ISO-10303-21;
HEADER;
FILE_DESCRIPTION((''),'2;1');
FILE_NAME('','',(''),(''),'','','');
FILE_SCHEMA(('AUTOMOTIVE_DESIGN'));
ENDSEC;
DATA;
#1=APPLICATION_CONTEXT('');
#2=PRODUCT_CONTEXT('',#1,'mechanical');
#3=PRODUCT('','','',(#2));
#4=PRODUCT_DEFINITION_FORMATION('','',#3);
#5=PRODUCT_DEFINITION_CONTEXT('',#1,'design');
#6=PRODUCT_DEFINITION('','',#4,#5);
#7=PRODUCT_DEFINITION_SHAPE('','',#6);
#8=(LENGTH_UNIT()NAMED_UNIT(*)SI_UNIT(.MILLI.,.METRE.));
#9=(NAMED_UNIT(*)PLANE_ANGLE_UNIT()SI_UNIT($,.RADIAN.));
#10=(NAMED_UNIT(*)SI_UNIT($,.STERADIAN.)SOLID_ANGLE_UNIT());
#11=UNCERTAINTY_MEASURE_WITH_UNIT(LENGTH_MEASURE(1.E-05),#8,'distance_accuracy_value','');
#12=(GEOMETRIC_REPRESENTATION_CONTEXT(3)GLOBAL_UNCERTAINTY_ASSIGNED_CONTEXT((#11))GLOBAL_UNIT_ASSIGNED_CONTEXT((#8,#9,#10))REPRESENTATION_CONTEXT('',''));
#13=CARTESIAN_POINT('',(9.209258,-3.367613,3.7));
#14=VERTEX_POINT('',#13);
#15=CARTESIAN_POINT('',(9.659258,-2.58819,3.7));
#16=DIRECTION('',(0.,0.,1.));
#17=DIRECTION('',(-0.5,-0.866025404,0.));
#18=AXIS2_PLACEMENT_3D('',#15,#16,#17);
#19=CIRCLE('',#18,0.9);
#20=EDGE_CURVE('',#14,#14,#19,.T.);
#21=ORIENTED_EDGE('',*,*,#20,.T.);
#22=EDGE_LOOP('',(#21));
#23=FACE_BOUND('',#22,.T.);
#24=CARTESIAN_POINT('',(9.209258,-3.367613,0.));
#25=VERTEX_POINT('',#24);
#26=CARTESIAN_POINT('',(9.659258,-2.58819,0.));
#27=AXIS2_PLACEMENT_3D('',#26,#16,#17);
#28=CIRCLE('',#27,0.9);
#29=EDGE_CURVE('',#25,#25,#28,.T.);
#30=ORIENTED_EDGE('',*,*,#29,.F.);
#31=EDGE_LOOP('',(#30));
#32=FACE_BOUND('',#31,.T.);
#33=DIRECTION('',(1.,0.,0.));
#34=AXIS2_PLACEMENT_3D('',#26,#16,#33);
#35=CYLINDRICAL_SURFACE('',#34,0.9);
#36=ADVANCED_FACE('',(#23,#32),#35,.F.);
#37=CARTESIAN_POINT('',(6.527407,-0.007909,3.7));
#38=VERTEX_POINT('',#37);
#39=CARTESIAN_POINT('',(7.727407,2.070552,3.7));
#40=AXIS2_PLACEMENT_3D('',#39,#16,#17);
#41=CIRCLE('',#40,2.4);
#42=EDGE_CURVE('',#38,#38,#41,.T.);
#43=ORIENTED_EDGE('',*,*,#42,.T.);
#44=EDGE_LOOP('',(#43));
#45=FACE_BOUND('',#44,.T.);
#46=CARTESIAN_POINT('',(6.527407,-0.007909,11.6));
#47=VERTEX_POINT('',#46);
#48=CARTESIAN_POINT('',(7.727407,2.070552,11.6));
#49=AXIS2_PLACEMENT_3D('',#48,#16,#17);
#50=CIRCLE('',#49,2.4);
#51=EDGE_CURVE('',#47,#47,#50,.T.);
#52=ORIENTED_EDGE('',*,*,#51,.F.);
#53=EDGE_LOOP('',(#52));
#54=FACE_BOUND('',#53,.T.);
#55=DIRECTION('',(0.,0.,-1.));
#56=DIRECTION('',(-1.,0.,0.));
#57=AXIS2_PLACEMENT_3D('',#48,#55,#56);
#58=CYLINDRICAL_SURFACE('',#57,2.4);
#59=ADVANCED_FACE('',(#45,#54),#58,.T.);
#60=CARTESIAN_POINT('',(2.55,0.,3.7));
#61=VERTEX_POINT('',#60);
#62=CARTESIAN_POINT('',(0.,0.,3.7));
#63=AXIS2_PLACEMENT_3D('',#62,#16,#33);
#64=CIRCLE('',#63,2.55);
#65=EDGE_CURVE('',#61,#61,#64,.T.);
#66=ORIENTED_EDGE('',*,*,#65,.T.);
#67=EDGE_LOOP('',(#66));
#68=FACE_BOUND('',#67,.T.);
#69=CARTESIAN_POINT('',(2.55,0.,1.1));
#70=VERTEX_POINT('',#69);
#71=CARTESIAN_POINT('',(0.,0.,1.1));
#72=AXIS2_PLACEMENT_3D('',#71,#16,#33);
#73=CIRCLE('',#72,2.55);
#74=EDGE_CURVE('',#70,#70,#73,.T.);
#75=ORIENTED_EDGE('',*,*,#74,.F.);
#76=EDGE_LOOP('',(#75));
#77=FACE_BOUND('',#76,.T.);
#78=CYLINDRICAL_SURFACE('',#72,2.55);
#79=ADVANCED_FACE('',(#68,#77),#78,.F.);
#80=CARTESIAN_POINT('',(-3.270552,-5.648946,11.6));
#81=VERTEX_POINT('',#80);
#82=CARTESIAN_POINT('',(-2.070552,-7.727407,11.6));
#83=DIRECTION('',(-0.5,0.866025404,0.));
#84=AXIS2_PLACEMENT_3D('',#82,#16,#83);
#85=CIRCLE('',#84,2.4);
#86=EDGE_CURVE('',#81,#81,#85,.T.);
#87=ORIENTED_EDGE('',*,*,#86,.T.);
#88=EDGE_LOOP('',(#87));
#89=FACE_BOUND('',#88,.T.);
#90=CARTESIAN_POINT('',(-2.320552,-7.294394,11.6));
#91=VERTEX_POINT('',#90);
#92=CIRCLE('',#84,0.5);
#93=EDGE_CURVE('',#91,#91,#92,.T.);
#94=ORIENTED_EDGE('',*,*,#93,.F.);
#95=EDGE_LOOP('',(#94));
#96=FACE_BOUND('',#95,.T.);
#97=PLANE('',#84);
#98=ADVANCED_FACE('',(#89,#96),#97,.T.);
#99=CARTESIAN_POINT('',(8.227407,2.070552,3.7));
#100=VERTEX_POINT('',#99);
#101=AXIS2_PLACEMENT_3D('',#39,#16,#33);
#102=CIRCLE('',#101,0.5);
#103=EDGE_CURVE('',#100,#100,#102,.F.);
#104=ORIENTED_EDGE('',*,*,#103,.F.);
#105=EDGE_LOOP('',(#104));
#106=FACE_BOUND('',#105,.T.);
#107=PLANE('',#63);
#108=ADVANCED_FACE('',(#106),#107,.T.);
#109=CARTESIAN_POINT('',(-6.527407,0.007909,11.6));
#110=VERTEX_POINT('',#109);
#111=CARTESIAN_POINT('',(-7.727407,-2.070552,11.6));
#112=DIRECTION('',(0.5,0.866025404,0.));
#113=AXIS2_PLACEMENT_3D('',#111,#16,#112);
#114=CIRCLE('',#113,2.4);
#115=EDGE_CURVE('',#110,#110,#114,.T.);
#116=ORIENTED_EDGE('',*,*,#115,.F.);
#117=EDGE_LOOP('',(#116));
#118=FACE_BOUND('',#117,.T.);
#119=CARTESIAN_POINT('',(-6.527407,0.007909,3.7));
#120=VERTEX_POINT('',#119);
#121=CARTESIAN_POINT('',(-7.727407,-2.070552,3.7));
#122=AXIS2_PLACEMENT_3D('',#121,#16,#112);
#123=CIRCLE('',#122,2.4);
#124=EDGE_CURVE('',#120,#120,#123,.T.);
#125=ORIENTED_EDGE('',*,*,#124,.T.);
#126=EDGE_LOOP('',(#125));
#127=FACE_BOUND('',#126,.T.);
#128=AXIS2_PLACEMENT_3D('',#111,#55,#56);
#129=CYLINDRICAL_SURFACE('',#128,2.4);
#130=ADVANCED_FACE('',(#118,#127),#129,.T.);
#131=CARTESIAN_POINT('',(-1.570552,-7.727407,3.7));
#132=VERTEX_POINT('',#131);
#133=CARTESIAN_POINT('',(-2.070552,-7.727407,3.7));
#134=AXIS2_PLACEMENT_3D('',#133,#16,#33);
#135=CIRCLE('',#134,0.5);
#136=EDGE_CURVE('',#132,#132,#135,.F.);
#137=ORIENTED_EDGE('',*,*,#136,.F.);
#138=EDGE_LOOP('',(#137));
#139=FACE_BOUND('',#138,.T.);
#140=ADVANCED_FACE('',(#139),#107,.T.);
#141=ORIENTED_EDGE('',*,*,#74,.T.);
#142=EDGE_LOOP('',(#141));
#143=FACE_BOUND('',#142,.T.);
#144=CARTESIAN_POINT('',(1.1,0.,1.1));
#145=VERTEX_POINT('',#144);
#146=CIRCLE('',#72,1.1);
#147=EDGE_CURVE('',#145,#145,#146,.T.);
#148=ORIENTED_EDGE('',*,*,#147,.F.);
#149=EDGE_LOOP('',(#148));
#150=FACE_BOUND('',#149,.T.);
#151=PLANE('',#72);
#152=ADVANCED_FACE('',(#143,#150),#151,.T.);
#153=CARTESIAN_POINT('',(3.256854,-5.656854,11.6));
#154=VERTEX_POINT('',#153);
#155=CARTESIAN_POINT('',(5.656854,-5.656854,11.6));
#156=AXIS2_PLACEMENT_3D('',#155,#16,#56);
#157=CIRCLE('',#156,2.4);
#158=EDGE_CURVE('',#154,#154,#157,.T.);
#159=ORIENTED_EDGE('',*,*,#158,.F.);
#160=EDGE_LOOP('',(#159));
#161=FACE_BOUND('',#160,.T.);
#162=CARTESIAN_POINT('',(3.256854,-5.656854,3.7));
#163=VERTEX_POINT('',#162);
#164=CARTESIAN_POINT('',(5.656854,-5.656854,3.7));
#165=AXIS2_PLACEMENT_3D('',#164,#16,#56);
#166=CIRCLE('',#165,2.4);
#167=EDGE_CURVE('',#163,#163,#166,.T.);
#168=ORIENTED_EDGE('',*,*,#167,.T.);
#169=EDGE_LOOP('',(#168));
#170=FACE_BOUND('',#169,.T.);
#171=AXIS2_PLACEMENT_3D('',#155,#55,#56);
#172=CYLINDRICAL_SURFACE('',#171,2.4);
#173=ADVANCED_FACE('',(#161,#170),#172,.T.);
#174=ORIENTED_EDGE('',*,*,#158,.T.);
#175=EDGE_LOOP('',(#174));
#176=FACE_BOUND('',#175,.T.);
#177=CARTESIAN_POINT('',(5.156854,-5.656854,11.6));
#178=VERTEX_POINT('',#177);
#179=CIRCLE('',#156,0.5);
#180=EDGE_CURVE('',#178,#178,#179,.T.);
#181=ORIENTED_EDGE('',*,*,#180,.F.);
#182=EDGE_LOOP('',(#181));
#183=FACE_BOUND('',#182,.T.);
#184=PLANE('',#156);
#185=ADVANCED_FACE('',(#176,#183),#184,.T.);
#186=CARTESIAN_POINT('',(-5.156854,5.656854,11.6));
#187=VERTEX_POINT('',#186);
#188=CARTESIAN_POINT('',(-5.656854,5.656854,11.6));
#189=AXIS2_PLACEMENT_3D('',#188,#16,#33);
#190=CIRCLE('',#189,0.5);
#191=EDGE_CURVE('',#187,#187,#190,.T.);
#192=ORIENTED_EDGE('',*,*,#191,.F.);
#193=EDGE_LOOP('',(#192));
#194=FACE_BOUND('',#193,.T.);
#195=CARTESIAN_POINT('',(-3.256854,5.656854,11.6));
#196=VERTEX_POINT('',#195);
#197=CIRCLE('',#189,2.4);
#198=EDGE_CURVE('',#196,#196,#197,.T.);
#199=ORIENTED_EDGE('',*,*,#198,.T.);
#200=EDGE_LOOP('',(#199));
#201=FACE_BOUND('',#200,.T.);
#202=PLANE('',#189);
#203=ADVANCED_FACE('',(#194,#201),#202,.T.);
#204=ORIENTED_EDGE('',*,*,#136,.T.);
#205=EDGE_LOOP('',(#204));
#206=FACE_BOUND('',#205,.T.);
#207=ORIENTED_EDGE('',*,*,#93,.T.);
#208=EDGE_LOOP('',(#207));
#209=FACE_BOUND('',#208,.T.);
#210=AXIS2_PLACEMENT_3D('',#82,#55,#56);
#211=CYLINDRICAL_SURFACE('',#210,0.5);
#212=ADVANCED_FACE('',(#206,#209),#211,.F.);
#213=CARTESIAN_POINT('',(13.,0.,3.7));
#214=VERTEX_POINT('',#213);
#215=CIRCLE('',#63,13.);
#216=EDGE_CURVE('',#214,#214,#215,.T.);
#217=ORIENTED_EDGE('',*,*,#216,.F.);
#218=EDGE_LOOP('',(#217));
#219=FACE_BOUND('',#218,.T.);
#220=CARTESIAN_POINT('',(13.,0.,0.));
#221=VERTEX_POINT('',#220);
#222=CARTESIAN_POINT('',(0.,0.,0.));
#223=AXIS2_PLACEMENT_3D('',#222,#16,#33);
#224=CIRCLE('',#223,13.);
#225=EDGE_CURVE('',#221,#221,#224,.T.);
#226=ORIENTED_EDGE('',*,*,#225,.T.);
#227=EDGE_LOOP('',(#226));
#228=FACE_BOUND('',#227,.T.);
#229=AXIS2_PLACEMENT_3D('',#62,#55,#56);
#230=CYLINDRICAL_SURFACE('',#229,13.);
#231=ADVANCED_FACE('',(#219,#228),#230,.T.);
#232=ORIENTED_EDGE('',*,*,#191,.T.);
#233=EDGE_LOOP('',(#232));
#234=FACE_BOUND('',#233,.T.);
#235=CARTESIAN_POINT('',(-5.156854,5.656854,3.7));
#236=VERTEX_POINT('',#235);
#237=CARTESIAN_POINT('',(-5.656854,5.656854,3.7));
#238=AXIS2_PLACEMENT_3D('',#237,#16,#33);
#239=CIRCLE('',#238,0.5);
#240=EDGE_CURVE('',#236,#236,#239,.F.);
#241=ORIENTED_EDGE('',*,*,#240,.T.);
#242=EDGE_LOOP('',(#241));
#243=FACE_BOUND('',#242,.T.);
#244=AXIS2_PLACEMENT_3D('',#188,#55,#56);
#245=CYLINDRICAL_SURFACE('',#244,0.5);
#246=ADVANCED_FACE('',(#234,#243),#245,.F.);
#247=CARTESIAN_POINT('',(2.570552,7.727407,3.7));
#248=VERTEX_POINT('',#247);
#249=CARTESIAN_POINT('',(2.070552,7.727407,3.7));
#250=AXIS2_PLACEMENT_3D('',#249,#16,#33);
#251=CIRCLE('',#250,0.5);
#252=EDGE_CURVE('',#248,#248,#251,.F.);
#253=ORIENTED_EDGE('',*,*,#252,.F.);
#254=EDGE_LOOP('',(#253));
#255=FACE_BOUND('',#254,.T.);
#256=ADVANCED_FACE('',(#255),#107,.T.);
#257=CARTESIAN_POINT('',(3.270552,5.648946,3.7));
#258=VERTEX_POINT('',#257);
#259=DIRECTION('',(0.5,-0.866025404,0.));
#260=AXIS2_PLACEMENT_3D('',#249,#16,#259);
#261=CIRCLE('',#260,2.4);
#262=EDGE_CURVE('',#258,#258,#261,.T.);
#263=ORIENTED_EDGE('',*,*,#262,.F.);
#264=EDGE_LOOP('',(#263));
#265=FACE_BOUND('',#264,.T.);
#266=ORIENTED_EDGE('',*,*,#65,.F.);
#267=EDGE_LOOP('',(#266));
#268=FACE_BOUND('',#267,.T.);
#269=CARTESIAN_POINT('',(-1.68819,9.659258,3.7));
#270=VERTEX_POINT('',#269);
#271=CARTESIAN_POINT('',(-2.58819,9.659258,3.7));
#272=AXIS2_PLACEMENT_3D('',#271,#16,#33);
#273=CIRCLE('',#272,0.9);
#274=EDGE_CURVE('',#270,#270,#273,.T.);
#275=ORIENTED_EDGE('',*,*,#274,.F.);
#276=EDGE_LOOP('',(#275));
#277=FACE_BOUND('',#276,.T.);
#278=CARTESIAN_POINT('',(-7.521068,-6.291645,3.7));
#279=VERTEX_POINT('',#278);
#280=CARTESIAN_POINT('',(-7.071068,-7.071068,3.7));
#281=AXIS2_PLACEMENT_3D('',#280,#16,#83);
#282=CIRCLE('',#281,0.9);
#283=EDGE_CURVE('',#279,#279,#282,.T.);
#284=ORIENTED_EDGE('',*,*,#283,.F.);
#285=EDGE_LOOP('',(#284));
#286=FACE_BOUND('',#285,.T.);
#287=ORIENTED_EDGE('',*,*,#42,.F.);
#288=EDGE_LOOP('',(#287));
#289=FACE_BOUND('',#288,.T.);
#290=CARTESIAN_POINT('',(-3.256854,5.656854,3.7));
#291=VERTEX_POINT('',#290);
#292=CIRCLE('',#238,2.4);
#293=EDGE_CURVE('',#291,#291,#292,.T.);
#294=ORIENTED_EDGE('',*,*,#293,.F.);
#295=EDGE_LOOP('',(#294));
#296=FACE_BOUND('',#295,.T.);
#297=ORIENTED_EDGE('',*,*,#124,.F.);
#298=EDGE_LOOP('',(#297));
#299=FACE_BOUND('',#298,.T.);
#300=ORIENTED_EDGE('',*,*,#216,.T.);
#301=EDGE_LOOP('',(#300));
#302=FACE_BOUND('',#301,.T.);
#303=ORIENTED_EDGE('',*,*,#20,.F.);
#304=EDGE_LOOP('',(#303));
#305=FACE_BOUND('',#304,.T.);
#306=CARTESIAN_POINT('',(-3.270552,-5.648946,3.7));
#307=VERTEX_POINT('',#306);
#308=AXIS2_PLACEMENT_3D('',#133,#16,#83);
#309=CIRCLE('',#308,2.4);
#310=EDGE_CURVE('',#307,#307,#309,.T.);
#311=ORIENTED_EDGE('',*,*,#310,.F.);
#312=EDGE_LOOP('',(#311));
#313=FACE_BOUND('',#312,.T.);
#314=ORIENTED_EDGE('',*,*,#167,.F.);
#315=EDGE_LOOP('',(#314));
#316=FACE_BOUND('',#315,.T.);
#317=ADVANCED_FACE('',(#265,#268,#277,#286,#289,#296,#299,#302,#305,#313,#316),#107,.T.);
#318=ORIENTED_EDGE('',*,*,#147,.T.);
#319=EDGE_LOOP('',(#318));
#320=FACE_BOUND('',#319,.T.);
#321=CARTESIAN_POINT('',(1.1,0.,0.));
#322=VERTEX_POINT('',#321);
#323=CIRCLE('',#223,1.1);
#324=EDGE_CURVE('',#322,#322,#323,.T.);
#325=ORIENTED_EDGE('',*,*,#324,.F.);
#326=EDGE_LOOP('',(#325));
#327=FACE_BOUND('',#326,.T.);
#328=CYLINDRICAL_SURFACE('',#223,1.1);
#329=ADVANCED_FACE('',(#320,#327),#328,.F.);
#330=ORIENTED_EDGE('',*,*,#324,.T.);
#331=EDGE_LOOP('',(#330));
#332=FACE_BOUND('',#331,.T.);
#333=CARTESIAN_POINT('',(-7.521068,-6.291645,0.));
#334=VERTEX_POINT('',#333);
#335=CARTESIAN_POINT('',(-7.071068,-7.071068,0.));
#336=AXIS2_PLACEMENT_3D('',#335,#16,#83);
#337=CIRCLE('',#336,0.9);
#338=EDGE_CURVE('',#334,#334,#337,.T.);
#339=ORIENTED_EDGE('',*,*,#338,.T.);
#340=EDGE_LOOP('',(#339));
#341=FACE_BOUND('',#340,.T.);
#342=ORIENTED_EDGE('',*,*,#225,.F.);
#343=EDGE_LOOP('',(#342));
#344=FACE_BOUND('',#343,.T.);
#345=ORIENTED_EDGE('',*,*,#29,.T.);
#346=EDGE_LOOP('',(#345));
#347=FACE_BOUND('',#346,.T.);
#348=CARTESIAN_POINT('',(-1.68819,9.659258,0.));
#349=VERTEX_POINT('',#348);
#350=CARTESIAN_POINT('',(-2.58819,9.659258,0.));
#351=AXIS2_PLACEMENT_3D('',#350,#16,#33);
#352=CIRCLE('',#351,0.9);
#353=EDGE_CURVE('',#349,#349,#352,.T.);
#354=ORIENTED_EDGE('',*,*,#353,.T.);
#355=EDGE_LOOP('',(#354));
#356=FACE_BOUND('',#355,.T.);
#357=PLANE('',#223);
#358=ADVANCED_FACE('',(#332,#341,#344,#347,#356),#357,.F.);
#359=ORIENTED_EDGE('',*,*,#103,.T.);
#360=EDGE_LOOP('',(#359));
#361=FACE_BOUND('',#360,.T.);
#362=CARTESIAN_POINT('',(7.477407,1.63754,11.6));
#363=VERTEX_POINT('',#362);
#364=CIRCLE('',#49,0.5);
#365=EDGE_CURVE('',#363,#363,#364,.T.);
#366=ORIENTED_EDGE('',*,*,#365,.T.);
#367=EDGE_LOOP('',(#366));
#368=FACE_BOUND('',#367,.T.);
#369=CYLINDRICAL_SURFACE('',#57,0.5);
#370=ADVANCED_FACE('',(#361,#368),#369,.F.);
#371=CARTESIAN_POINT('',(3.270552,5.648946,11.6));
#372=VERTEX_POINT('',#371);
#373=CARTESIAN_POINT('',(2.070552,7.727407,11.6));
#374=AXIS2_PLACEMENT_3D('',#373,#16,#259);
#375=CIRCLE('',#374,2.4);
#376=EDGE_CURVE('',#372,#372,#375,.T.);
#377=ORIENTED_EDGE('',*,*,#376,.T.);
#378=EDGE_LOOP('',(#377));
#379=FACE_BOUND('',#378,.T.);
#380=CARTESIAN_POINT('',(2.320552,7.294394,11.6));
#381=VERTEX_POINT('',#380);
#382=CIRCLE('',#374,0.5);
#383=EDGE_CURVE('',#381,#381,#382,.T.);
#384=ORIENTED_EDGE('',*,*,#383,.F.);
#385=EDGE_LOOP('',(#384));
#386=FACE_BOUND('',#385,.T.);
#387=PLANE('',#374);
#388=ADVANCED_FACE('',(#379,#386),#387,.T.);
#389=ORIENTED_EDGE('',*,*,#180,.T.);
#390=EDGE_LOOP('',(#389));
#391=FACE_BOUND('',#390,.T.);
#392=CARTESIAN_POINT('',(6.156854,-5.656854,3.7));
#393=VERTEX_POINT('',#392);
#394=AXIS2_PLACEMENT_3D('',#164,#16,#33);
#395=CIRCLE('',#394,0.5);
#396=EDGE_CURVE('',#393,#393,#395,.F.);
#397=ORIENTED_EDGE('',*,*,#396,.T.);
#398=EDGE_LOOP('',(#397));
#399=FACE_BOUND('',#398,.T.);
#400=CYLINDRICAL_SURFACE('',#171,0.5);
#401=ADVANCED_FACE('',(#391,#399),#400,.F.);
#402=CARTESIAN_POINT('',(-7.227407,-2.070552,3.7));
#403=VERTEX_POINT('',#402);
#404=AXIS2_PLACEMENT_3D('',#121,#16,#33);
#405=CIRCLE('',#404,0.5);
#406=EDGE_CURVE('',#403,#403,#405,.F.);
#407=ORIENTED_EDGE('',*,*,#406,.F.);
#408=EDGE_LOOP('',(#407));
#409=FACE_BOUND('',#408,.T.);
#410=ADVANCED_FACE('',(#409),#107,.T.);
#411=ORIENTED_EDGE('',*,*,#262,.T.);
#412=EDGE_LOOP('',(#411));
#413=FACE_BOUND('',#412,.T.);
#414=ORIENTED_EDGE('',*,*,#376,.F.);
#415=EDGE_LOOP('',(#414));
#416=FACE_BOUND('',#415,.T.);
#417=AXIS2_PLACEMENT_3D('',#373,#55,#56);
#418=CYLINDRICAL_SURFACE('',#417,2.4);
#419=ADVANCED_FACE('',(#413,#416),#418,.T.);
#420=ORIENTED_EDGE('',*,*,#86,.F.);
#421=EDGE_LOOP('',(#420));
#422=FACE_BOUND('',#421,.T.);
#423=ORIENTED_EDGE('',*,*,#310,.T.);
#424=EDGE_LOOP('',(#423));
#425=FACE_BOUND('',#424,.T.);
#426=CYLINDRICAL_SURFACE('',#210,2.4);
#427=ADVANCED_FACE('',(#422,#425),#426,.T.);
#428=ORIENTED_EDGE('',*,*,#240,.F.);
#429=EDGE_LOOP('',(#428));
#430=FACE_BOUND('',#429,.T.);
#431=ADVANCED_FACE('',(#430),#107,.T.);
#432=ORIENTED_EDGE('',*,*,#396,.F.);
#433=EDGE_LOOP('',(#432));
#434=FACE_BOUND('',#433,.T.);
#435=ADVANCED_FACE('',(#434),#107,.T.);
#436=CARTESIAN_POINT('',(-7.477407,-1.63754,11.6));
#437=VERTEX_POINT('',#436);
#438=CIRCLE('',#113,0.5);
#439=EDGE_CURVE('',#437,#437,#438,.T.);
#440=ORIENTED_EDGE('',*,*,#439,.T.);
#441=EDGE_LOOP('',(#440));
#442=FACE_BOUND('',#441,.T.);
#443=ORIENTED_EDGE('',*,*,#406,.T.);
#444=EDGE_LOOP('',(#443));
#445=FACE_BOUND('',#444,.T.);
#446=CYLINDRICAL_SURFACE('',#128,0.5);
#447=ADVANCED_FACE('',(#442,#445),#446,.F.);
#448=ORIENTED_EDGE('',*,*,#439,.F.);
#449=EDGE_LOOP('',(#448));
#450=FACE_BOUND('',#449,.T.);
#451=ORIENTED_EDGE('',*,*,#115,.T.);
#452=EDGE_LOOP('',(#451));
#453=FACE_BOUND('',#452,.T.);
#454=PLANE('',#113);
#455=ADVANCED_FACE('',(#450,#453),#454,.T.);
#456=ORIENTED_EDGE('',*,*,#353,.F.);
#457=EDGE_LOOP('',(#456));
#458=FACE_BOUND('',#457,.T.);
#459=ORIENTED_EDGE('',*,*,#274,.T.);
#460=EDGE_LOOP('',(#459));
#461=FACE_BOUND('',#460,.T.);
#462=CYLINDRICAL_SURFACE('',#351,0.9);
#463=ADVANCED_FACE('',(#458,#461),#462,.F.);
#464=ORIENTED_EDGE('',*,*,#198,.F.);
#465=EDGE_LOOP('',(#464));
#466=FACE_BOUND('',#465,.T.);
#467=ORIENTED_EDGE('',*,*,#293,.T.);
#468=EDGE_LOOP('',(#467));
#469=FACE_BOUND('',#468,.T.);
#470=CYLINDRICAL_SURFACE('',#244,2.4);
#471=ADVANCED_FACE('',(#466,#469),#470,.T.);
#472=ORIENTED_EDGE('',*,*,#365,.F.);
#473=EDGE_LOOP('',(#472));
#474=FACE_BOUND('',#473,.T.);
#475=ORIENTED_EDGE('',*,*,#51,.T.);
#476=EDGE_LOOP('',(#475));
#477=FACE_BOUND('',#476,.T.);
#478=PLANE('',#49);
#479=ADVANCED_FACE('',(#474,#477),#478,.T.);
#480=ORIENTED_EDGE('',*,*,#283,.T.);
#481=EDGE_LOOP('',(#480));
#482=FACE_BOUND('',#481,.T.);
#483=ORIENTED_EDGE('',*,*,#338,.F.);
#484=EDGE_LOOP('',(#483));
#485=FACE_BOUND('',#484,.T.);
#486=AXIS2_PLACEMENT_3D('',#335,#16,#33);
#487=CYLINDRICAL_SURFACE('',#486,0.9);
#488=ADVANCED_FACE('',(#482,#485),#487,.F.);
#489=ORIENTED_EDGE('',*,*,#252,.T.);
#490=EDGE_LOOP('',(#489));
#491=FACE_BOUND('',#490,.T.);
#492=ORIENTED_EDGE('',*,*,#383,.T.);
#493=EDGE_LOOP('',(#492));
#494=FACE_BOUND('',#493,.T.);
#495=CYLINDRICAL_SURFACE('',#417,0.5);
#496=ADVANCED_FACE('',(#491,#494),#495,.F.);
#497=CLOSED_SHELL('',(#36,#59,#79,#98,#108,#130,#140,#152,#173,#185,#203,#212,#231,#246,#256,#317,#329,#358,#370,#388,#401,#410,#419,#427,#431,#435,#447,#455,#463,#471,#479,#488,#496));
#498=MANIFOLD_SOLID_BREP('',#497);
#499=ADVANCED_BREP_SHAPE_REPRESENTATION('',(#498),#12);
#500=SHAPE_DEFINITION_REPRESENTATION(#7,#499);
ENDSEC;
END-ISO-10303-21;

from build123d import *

# Parameters (mm, degrees)
SKETCH_1_R               = 13
EXTRUDE_1_DEPTH          = 3.7
SKETCH_3_R               = 2.4
SKETCH_3_R_2             = 0.5
EXTRUDE_3_DEPTH          = 7.9
PATTERN_CIRCULAR_1_COUNT = 6
SKETCH_4_R               = 0.9
CUT_EXTRUDE_1_DEPTH      = 21.010247375
PATTERN_CIRCULAR_2_COUNT = 3
SKETCH_5_R               = 1.1
CUT_EXTRUDE_2_DEPTH      = 21.010247375
SKETCH_5_4_R             = 2.55
SKETCH_5_4_R_2           = 1.1
CUT_EXTRUDE_3_DEPTH      = 2.6


with BuildPart() as part:
    # 草图1 → 凸台-拉伸1 (new body)
    with BuildSketch(Plane.XY):
        Circle(SKETCH_1_R)
    extrude(amount=EXTRUDE_1_DEPTH)

    # 草图3 → 凸台-拉伸3 (add)
    with BuildSketch(Plane.XY.offset(3.7)):
        with Locations((-5.656854249, 5.656854249)):
            Circle(SKETCH_3_R)
        with Locations((-5.656854249, 5.656854249)):
            Circle(SKETCH_3_R_2, mode=Mode.SUBTRACT)
    extrude_3 = extrude(amount=EXTRUDE_3_DEPTH)

    # 阵列(圆周)1: 凸台-拉伸3 ×6 about axis
    pattern_circular_1_axis = Axis((0, 0, 3.7), (0, 0, -1))
    for i in range(1, PATTERN_CIRCULAR_1_COUNT):
        add(extrude_3.rotate(pattern_circular_1_axis, i * 360 / PATTERN_CIRCULAR_1_COUNT))

    # 草图4 → 切除-拉伸1 (cut, through all)
    with BuildSketch(Plane.XY.offset(3.7)):
        with Locations((-2.588190451, 9.659258263)):
            Circle(SKETCH_4_R)
    cut_extrude_1 = extrude(amount=-CUT_EXTRUDE_1_DEPTH, mode=Mode.SUBTRACT)

    # 阵列(圆周)2: 切除-拉伸1 ×3 about axis
    pattern_circular_2_axis = Axis((0, 0, 3.7), (0, 0, -1))
    for i in range(1, PATTERN_CIRCULAR_2_COUNT):
        add(cut_extrude_1.rotate(pattern_circular_2_axis, i * 360 / PATTERN_CIRCULAR_2_COUNT), mode=Mode.SUBTRACT)

    # 草图5 → 切除-拉伸2 (cut, through all)
    with BuildSketch(Plane.XY.offset(3.7)):
        Circle(SKETCH_5_R)
    extrude(amount=-CUT_EXTRUDE_2_DEPTH, mode=Mode.SUBTRACT)

    # 草图5<4> → 切除-拉伸3 (cut)
    with BuildSketch(Plane.XY.offset(3.7)):
        Circle(SKETCH_5_4_R)
        Circle(SKETCH_5_4_R_2, mode=Mode.SUBTRACT)
    extrude(amount=-CUT_EXTRUDE_3_DEPTH, mode=Mode.SUBTRACT)


solid = part.part
